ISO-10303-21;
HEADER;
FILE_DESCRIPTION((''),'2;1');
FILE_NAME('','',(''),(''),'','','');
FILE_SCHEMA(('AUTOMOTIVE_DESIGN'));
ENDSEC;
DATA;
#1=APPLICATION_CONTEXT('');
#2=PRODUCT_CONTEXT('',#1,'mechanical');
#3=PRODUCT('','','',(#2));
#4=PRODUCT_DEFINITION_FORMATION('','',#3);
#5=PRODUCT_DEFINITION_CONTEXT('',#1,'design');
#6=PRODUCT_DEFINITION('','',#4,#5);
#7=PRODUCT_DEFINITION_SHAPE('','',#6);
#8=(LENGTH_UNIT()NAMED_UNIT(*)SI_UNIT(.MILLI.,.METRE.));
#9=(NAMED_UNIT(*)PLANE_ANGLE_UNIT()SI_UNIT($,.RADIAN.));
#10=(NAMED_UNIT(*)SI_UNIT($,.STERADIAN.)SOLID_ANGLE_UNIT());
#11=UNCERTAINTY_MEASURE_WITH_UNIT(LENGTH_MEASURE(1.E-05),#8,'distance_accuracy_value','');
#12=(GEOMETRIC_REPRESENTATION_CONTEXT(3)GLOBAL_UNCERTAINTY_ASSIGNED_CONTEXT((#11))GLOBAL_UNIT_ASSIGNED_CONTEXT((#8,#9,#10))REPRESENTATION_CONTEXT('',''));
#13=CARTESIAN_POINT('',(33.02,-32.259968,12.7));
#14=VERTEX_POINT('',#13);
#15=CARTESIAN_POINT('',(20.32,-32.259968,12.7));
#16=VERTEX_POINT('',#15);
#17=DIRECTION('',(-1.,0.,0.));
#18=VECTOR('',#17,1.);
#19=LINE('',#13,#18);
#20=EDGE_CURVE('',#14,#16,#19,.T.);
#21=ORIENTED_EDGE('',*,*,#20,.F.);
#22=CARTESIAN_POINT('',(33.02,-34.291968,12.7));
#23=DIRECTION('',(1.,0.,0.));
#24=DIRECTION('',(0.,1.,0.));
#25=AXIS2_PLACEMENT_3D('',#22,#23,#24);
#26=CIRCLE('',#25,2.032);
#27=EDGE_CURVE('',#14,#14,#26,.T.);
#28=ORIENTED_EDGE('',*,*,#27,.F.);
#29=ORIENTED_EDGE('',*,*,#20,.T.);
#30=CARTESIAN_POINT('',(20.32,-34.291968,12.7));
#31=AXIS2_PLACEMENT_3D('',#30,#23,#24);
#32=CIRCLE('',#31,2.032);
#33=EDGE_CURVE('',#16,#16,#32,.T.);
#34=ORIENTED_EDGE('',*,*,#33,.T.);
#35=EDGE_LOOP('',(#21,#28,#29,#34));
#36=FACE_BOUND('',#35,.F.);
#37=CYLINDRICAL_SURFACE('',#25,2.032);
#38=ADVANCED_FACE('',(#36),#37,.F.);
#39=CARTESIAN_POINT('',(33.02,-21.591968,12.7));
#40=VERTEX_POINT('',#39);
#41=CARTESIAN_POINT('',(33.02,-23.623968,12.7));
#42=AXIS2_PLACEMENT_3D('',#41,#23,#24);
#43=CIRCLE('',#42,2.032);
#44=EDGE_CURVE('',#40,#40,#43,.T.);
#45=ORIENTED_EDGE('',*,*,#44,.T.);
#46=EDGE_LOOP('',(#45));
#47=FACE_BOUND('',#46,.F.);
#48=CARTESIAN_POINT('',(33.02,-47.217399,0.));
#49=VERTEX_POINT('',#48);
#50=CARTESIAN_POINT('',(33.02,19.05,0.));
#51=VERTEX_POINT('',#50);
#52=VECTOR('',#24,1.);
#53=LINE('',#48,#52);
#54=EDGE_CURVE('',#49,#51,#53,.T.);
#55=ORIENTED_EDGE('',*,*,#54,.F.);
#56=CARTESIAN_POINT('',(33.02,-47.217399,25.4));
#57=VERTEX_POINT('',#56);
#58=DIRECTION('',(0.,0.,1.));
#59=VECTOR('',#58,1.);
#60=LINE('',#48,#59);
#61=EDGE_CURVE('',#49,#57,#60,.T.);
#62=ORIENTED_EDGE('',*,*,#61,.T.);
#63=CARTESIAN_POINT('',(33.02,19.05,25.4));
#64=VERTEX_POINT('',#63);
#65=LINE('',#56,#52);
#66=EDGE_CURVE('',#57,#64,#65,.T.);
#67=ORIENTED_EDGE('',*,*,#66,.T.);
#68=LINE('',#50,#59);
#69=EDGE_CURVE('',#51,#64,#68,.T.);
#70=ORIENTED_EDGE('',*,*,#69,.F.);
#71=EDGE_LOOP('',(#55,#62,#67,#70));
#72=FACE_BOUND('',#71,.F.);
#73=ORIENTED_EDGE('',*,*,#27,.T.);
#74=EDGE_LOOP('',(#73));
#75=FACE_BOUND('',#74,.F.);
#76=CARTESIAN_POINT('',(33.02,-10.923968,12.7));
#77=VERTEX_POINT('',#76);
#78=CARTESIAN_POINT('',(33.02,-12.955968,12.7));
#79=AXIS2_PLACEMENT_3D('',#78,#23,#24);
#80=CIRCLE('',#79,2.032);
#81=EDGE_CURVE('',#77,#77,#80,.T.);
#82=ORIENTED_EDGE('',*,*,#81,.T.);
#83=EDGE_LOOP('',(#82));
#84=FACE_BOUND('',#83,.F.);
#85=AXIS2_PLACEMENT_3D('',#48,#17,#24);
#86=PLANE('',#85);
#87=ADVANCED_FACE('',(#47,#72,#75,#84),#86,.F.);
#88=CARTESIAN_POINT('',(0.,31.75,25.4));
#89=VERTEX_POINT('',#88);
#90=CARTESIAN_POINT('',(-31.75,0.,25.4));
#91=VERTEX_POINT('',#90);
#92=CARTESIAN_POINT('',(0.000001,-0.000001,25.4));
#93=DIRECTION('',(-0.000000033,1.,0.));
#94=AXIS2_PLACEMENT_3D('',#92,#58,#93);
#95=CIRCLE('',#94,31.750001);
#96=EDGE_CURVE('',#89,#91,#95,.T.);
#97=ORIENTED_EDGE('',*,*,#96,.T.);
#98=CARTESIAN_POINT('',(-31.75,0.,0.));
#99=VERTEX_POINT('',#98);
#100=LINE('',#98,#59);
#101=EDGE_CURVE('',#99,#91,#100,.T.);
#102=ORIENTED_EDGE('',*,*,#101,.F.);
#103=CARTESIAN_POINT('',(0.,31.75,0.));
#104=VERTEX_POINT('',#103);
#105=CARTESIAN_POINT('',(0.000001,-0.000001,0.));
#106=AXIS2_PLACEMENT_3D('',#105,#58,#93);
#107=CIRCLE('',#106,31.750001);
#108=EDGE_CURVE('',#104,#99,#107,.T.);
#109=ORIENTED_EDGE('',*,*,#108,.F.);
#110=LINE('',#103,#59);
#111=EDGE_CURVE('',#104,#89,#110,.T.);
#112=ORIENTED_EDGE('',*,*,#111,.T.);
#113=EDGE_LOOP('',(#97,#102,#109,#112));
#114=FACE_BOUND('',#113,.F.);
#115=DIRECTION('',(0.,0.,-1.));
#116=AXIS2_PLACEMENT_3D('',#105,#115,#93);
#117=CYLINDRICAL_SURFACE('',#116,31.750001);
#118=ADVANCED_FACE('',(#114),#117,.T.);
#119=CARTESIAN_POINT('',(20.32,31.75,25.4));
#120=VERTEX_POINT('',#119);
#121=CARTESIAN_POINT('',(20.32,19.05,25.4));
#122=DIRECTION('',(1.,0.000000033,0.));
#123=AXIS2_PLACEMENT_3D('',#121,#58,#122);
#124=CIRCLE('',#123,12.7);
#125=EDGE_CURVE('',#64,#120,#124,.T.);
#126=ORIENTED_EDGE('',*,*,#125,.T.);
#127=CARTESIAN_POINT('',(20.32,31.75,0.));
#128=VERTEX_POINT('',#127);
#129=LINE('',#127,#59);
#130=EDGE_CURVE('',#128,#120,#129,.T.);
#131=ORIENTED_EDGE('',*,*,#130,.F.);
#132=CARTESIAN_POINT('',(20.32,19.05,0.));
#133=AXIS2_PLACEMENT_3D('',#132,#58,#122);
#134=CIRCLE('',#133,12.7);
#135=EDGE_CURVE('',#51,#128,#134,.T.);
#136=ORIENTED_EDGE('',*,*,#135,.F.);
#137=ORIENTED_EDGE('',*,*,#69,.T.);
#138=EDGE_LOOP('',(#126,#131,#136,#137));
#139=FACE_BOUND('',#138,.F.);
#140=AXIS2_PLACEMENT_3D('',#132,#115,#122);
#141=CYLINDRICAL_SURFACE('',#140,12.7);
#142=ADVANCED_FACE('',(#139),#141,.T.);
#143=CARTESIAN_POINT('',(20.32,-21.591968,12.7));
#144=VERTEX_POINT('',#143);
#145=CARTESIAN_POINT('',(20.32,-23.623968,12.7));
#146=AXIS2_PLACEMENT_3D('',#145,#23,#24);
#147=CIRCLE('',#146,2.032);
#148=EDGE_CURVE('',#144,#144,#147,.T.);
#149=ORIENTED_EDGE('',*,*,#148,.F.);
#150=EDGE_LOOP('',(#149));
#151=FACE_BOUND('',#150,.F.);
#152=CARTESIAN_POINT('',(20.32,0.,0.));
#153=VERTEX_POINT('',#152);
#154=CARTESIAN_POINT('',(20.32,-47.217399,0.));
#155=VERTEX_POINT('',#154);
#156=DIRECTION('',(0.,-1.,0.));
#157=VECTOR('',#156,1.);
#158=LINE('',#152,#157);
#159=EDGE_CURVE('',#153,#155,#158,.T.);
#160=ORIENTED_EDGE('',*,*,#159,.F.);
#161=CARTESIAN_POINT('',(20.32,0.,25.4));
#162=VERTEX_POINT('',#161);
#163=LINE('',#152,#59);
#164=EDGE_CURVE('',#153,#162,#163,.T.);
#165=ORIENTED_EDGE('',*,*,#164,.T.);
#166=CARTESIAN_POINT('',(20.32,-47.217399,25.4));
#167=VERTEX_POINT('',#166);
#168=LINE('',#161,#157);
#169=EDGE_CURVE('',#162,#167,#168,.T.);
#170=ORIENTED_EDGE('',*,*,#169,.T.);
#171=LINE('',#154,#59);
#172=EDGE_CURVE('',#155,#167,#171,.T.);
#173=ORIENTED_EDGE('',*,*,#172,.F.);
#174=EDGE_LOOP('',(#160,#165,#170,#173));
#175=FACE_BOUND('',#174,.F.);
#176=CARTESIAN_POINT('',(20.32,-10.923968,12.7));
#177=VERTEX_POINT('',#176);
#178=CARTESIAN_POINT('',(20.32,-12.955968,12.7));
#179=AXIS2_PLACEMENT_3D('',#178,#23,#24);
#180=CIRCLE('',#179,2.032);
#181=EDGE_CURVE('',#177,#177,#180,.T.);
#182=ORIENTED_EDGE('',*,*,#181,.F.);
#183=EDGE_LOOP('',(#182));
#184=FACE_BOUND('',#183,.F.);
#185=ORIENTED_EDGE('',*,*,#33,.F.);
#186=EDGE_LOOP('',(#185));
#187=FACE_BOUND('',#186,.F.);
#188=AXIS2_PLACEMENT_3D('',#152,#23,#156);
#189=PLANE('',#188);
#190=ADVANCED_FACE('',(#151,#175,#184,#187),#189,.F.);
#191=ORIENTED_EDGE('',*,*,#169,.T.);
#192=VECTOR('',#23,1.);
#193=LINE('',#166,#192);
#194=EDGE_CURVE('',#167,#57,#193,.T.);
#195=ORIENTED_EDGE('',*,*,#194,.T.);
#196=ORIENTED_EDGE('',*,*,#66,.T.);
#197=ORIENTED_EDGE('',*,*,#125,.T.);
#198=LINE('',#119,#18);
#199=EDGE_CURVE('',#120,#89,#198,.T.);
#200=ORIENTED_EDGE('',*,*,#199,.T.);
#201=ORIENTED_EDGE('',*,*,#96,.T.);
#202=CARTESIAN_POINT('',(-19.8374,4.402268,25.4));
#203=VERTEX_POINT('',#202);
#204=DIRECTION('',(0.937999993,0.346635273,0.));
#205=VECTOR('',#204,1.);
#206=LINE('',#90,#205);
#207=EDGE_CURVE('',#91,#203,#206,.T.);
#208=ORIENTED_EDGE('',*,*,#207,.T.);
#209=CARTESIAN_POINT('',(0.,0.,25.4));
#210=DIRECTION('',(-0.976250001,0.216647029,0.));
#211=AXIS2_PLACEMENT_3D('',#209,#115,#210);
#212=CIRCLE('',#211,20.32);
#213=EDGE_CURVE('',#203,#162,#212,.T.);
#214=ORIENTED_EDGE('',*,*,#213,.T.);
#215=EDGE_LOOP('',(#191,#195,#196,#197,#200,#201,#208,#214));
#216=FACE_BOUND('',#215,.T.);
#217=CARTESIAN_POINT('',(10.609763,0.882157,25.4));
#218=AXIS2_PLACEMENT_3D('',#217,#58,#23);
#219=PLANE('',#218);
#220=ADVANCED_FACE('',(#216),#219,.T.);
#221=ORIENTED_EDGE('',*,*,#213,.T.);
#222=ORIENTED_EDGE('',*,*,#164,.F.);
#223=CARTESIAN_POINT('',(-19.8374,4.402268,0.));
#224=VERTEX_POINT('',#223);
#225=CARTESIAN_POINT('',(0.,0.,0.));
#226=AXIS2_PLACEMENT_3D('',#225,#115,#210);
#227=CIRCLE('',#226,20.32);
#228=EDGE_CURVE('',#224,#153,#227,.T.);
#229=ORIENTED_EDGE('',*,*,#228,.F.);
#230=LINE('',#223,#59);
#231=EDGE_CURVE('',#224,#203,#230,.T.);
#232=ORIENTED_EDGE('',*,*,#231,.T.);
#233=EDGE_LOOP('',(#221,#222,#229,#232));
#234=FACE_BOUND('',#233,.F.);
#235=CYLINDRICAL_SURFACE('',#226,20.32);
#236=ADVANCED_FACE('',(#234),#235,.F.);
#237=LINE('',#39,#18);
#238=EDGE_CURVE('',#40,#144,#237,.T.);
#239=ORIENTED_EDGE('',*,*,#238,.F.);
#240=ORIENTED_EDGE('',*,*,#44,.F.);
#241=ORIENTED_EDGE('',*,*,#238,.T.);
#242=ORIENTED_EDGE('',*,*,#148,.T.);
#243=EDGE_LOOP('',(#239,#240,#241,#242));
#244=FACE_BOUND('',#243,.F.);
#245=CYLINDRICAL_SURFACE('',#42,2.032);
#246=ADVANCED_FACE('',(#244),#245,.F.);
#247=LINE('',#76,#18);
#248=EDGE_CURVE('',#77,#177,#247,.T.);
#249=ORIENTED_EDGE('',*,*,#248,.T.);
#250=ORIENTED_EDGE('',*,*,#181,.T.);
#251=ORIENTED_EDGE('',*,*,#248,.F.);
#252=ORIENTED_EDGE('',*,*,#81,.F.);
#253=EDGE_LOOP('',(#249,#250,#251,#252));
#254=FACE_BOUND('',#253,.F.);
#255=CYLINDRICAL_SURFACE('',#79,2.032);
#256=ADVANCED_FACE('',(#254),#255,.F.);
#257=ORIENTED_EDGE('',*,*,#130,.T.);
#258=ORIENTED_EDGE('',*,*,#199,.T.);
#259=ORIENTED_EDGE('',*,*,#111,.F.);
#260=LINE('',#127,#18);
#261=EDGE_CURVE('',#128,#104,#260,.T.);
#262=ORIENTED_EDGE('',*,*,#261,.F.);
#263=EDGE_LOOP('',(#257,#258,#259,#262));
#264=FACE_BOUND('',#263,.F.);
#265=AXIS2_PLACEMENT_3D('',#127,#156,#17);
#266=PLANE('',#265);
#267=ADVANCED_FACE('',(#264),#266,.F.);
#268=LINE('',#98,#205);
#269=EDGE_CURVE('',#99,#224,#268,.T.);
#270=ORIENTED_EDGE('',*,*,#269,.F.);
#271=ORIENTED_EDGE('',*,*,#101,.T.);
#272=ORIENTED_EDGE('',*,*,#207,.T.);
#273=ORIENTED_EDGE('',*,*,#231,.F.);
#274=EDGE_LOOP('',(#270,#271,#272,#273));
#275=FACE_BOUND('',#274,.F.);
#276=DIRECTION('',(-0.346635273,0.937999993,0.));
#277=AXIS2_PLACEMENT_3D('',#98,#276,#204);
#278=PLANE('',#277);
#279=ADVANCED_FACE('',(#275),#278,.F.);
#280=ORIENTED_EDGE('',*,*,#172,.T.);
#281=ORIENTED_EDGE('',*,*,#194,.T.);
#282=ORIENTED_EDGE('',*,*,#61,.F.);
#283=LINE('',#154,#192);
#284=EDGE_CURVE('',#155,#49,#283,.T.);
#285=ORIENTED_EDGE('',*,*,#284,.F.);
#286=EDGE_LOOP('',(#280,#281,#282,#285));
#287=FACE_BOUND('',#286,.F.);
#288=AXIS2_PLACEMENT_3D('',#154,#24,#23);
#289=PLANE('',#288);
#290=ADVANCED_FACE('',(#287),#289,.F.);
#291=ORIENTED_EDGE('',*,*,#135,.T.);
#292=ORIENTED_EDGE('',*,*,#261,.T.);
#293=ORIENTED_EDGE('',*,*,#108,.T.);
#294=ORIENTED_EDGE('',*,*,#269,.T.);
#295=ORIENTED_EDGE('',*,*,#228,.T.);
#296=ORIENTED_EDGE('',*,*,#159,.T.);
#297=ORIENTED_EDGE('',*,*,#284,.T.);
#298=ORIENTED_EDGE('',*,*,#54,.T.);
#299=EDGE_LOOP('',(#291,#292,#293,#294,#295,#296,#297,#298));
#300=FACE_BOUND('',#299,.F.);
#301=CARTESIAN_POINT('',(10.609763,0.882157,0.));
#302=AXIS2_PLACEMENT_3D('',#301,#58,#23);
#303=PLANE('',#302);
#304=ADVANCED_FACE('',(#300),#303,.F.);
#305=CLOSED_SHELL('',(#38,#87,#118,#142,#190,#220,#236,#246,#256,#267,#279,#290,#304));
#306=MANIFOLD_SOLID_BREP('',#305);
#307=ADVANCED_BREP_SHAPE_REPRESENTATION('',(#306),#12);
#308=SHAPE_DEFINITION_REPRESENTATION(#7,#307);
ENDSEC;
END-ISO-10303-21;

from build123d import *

# Parameters (mm, degrees)
F1_DEPTH = 25.4
F2_R     = 2.032
F3_DEPTH = 12.7


with BuildPart() as f1:
    # F0 (on Top) → F1 (new body)
    with BuildSketch(Plane.XY):
        with BuildLine():
            ThreePointArc((-19.8374, 4.402268), (2.214321, 20.19899), (20.32, 0))
            Line((20.32, 0), (20.32, -47.217399))
            Line((20.32, -47.217399), (33.02, -47.217399))
            Line((33.02, -47.217399), (33.02, 19.05))
            ThreePointArc((33.02, 19.05), (29.300256, 28.030256), (20.32, 31.75))
            Line((20.32, 31.75), (0, 31.75))
            ThreePointArc((0, 31.75), (-22.45064, 22.45064), (-31.75, 0))
            Line((-31.75, 0), (-19.8374, 4.402268))
        make_face()
    extrude(amount=F1_DEPTH)

    # F2 (on face) → F3 (cut, through all)
    with BuildSketch(Plane.YZ.offset(33.02)):
        with Locations((-34.291968, 12.7)):
            Circle(F2_R)
        with Locations((-23.623968, 12.7)):
            Circle(F2_R)
        with Locations((-12.955968, 12.7)):
            Circle(F2_R)
    extrude(amount=-F3_DEPTH, mode=Mode.SUBTRACT)


solid = f1.part
